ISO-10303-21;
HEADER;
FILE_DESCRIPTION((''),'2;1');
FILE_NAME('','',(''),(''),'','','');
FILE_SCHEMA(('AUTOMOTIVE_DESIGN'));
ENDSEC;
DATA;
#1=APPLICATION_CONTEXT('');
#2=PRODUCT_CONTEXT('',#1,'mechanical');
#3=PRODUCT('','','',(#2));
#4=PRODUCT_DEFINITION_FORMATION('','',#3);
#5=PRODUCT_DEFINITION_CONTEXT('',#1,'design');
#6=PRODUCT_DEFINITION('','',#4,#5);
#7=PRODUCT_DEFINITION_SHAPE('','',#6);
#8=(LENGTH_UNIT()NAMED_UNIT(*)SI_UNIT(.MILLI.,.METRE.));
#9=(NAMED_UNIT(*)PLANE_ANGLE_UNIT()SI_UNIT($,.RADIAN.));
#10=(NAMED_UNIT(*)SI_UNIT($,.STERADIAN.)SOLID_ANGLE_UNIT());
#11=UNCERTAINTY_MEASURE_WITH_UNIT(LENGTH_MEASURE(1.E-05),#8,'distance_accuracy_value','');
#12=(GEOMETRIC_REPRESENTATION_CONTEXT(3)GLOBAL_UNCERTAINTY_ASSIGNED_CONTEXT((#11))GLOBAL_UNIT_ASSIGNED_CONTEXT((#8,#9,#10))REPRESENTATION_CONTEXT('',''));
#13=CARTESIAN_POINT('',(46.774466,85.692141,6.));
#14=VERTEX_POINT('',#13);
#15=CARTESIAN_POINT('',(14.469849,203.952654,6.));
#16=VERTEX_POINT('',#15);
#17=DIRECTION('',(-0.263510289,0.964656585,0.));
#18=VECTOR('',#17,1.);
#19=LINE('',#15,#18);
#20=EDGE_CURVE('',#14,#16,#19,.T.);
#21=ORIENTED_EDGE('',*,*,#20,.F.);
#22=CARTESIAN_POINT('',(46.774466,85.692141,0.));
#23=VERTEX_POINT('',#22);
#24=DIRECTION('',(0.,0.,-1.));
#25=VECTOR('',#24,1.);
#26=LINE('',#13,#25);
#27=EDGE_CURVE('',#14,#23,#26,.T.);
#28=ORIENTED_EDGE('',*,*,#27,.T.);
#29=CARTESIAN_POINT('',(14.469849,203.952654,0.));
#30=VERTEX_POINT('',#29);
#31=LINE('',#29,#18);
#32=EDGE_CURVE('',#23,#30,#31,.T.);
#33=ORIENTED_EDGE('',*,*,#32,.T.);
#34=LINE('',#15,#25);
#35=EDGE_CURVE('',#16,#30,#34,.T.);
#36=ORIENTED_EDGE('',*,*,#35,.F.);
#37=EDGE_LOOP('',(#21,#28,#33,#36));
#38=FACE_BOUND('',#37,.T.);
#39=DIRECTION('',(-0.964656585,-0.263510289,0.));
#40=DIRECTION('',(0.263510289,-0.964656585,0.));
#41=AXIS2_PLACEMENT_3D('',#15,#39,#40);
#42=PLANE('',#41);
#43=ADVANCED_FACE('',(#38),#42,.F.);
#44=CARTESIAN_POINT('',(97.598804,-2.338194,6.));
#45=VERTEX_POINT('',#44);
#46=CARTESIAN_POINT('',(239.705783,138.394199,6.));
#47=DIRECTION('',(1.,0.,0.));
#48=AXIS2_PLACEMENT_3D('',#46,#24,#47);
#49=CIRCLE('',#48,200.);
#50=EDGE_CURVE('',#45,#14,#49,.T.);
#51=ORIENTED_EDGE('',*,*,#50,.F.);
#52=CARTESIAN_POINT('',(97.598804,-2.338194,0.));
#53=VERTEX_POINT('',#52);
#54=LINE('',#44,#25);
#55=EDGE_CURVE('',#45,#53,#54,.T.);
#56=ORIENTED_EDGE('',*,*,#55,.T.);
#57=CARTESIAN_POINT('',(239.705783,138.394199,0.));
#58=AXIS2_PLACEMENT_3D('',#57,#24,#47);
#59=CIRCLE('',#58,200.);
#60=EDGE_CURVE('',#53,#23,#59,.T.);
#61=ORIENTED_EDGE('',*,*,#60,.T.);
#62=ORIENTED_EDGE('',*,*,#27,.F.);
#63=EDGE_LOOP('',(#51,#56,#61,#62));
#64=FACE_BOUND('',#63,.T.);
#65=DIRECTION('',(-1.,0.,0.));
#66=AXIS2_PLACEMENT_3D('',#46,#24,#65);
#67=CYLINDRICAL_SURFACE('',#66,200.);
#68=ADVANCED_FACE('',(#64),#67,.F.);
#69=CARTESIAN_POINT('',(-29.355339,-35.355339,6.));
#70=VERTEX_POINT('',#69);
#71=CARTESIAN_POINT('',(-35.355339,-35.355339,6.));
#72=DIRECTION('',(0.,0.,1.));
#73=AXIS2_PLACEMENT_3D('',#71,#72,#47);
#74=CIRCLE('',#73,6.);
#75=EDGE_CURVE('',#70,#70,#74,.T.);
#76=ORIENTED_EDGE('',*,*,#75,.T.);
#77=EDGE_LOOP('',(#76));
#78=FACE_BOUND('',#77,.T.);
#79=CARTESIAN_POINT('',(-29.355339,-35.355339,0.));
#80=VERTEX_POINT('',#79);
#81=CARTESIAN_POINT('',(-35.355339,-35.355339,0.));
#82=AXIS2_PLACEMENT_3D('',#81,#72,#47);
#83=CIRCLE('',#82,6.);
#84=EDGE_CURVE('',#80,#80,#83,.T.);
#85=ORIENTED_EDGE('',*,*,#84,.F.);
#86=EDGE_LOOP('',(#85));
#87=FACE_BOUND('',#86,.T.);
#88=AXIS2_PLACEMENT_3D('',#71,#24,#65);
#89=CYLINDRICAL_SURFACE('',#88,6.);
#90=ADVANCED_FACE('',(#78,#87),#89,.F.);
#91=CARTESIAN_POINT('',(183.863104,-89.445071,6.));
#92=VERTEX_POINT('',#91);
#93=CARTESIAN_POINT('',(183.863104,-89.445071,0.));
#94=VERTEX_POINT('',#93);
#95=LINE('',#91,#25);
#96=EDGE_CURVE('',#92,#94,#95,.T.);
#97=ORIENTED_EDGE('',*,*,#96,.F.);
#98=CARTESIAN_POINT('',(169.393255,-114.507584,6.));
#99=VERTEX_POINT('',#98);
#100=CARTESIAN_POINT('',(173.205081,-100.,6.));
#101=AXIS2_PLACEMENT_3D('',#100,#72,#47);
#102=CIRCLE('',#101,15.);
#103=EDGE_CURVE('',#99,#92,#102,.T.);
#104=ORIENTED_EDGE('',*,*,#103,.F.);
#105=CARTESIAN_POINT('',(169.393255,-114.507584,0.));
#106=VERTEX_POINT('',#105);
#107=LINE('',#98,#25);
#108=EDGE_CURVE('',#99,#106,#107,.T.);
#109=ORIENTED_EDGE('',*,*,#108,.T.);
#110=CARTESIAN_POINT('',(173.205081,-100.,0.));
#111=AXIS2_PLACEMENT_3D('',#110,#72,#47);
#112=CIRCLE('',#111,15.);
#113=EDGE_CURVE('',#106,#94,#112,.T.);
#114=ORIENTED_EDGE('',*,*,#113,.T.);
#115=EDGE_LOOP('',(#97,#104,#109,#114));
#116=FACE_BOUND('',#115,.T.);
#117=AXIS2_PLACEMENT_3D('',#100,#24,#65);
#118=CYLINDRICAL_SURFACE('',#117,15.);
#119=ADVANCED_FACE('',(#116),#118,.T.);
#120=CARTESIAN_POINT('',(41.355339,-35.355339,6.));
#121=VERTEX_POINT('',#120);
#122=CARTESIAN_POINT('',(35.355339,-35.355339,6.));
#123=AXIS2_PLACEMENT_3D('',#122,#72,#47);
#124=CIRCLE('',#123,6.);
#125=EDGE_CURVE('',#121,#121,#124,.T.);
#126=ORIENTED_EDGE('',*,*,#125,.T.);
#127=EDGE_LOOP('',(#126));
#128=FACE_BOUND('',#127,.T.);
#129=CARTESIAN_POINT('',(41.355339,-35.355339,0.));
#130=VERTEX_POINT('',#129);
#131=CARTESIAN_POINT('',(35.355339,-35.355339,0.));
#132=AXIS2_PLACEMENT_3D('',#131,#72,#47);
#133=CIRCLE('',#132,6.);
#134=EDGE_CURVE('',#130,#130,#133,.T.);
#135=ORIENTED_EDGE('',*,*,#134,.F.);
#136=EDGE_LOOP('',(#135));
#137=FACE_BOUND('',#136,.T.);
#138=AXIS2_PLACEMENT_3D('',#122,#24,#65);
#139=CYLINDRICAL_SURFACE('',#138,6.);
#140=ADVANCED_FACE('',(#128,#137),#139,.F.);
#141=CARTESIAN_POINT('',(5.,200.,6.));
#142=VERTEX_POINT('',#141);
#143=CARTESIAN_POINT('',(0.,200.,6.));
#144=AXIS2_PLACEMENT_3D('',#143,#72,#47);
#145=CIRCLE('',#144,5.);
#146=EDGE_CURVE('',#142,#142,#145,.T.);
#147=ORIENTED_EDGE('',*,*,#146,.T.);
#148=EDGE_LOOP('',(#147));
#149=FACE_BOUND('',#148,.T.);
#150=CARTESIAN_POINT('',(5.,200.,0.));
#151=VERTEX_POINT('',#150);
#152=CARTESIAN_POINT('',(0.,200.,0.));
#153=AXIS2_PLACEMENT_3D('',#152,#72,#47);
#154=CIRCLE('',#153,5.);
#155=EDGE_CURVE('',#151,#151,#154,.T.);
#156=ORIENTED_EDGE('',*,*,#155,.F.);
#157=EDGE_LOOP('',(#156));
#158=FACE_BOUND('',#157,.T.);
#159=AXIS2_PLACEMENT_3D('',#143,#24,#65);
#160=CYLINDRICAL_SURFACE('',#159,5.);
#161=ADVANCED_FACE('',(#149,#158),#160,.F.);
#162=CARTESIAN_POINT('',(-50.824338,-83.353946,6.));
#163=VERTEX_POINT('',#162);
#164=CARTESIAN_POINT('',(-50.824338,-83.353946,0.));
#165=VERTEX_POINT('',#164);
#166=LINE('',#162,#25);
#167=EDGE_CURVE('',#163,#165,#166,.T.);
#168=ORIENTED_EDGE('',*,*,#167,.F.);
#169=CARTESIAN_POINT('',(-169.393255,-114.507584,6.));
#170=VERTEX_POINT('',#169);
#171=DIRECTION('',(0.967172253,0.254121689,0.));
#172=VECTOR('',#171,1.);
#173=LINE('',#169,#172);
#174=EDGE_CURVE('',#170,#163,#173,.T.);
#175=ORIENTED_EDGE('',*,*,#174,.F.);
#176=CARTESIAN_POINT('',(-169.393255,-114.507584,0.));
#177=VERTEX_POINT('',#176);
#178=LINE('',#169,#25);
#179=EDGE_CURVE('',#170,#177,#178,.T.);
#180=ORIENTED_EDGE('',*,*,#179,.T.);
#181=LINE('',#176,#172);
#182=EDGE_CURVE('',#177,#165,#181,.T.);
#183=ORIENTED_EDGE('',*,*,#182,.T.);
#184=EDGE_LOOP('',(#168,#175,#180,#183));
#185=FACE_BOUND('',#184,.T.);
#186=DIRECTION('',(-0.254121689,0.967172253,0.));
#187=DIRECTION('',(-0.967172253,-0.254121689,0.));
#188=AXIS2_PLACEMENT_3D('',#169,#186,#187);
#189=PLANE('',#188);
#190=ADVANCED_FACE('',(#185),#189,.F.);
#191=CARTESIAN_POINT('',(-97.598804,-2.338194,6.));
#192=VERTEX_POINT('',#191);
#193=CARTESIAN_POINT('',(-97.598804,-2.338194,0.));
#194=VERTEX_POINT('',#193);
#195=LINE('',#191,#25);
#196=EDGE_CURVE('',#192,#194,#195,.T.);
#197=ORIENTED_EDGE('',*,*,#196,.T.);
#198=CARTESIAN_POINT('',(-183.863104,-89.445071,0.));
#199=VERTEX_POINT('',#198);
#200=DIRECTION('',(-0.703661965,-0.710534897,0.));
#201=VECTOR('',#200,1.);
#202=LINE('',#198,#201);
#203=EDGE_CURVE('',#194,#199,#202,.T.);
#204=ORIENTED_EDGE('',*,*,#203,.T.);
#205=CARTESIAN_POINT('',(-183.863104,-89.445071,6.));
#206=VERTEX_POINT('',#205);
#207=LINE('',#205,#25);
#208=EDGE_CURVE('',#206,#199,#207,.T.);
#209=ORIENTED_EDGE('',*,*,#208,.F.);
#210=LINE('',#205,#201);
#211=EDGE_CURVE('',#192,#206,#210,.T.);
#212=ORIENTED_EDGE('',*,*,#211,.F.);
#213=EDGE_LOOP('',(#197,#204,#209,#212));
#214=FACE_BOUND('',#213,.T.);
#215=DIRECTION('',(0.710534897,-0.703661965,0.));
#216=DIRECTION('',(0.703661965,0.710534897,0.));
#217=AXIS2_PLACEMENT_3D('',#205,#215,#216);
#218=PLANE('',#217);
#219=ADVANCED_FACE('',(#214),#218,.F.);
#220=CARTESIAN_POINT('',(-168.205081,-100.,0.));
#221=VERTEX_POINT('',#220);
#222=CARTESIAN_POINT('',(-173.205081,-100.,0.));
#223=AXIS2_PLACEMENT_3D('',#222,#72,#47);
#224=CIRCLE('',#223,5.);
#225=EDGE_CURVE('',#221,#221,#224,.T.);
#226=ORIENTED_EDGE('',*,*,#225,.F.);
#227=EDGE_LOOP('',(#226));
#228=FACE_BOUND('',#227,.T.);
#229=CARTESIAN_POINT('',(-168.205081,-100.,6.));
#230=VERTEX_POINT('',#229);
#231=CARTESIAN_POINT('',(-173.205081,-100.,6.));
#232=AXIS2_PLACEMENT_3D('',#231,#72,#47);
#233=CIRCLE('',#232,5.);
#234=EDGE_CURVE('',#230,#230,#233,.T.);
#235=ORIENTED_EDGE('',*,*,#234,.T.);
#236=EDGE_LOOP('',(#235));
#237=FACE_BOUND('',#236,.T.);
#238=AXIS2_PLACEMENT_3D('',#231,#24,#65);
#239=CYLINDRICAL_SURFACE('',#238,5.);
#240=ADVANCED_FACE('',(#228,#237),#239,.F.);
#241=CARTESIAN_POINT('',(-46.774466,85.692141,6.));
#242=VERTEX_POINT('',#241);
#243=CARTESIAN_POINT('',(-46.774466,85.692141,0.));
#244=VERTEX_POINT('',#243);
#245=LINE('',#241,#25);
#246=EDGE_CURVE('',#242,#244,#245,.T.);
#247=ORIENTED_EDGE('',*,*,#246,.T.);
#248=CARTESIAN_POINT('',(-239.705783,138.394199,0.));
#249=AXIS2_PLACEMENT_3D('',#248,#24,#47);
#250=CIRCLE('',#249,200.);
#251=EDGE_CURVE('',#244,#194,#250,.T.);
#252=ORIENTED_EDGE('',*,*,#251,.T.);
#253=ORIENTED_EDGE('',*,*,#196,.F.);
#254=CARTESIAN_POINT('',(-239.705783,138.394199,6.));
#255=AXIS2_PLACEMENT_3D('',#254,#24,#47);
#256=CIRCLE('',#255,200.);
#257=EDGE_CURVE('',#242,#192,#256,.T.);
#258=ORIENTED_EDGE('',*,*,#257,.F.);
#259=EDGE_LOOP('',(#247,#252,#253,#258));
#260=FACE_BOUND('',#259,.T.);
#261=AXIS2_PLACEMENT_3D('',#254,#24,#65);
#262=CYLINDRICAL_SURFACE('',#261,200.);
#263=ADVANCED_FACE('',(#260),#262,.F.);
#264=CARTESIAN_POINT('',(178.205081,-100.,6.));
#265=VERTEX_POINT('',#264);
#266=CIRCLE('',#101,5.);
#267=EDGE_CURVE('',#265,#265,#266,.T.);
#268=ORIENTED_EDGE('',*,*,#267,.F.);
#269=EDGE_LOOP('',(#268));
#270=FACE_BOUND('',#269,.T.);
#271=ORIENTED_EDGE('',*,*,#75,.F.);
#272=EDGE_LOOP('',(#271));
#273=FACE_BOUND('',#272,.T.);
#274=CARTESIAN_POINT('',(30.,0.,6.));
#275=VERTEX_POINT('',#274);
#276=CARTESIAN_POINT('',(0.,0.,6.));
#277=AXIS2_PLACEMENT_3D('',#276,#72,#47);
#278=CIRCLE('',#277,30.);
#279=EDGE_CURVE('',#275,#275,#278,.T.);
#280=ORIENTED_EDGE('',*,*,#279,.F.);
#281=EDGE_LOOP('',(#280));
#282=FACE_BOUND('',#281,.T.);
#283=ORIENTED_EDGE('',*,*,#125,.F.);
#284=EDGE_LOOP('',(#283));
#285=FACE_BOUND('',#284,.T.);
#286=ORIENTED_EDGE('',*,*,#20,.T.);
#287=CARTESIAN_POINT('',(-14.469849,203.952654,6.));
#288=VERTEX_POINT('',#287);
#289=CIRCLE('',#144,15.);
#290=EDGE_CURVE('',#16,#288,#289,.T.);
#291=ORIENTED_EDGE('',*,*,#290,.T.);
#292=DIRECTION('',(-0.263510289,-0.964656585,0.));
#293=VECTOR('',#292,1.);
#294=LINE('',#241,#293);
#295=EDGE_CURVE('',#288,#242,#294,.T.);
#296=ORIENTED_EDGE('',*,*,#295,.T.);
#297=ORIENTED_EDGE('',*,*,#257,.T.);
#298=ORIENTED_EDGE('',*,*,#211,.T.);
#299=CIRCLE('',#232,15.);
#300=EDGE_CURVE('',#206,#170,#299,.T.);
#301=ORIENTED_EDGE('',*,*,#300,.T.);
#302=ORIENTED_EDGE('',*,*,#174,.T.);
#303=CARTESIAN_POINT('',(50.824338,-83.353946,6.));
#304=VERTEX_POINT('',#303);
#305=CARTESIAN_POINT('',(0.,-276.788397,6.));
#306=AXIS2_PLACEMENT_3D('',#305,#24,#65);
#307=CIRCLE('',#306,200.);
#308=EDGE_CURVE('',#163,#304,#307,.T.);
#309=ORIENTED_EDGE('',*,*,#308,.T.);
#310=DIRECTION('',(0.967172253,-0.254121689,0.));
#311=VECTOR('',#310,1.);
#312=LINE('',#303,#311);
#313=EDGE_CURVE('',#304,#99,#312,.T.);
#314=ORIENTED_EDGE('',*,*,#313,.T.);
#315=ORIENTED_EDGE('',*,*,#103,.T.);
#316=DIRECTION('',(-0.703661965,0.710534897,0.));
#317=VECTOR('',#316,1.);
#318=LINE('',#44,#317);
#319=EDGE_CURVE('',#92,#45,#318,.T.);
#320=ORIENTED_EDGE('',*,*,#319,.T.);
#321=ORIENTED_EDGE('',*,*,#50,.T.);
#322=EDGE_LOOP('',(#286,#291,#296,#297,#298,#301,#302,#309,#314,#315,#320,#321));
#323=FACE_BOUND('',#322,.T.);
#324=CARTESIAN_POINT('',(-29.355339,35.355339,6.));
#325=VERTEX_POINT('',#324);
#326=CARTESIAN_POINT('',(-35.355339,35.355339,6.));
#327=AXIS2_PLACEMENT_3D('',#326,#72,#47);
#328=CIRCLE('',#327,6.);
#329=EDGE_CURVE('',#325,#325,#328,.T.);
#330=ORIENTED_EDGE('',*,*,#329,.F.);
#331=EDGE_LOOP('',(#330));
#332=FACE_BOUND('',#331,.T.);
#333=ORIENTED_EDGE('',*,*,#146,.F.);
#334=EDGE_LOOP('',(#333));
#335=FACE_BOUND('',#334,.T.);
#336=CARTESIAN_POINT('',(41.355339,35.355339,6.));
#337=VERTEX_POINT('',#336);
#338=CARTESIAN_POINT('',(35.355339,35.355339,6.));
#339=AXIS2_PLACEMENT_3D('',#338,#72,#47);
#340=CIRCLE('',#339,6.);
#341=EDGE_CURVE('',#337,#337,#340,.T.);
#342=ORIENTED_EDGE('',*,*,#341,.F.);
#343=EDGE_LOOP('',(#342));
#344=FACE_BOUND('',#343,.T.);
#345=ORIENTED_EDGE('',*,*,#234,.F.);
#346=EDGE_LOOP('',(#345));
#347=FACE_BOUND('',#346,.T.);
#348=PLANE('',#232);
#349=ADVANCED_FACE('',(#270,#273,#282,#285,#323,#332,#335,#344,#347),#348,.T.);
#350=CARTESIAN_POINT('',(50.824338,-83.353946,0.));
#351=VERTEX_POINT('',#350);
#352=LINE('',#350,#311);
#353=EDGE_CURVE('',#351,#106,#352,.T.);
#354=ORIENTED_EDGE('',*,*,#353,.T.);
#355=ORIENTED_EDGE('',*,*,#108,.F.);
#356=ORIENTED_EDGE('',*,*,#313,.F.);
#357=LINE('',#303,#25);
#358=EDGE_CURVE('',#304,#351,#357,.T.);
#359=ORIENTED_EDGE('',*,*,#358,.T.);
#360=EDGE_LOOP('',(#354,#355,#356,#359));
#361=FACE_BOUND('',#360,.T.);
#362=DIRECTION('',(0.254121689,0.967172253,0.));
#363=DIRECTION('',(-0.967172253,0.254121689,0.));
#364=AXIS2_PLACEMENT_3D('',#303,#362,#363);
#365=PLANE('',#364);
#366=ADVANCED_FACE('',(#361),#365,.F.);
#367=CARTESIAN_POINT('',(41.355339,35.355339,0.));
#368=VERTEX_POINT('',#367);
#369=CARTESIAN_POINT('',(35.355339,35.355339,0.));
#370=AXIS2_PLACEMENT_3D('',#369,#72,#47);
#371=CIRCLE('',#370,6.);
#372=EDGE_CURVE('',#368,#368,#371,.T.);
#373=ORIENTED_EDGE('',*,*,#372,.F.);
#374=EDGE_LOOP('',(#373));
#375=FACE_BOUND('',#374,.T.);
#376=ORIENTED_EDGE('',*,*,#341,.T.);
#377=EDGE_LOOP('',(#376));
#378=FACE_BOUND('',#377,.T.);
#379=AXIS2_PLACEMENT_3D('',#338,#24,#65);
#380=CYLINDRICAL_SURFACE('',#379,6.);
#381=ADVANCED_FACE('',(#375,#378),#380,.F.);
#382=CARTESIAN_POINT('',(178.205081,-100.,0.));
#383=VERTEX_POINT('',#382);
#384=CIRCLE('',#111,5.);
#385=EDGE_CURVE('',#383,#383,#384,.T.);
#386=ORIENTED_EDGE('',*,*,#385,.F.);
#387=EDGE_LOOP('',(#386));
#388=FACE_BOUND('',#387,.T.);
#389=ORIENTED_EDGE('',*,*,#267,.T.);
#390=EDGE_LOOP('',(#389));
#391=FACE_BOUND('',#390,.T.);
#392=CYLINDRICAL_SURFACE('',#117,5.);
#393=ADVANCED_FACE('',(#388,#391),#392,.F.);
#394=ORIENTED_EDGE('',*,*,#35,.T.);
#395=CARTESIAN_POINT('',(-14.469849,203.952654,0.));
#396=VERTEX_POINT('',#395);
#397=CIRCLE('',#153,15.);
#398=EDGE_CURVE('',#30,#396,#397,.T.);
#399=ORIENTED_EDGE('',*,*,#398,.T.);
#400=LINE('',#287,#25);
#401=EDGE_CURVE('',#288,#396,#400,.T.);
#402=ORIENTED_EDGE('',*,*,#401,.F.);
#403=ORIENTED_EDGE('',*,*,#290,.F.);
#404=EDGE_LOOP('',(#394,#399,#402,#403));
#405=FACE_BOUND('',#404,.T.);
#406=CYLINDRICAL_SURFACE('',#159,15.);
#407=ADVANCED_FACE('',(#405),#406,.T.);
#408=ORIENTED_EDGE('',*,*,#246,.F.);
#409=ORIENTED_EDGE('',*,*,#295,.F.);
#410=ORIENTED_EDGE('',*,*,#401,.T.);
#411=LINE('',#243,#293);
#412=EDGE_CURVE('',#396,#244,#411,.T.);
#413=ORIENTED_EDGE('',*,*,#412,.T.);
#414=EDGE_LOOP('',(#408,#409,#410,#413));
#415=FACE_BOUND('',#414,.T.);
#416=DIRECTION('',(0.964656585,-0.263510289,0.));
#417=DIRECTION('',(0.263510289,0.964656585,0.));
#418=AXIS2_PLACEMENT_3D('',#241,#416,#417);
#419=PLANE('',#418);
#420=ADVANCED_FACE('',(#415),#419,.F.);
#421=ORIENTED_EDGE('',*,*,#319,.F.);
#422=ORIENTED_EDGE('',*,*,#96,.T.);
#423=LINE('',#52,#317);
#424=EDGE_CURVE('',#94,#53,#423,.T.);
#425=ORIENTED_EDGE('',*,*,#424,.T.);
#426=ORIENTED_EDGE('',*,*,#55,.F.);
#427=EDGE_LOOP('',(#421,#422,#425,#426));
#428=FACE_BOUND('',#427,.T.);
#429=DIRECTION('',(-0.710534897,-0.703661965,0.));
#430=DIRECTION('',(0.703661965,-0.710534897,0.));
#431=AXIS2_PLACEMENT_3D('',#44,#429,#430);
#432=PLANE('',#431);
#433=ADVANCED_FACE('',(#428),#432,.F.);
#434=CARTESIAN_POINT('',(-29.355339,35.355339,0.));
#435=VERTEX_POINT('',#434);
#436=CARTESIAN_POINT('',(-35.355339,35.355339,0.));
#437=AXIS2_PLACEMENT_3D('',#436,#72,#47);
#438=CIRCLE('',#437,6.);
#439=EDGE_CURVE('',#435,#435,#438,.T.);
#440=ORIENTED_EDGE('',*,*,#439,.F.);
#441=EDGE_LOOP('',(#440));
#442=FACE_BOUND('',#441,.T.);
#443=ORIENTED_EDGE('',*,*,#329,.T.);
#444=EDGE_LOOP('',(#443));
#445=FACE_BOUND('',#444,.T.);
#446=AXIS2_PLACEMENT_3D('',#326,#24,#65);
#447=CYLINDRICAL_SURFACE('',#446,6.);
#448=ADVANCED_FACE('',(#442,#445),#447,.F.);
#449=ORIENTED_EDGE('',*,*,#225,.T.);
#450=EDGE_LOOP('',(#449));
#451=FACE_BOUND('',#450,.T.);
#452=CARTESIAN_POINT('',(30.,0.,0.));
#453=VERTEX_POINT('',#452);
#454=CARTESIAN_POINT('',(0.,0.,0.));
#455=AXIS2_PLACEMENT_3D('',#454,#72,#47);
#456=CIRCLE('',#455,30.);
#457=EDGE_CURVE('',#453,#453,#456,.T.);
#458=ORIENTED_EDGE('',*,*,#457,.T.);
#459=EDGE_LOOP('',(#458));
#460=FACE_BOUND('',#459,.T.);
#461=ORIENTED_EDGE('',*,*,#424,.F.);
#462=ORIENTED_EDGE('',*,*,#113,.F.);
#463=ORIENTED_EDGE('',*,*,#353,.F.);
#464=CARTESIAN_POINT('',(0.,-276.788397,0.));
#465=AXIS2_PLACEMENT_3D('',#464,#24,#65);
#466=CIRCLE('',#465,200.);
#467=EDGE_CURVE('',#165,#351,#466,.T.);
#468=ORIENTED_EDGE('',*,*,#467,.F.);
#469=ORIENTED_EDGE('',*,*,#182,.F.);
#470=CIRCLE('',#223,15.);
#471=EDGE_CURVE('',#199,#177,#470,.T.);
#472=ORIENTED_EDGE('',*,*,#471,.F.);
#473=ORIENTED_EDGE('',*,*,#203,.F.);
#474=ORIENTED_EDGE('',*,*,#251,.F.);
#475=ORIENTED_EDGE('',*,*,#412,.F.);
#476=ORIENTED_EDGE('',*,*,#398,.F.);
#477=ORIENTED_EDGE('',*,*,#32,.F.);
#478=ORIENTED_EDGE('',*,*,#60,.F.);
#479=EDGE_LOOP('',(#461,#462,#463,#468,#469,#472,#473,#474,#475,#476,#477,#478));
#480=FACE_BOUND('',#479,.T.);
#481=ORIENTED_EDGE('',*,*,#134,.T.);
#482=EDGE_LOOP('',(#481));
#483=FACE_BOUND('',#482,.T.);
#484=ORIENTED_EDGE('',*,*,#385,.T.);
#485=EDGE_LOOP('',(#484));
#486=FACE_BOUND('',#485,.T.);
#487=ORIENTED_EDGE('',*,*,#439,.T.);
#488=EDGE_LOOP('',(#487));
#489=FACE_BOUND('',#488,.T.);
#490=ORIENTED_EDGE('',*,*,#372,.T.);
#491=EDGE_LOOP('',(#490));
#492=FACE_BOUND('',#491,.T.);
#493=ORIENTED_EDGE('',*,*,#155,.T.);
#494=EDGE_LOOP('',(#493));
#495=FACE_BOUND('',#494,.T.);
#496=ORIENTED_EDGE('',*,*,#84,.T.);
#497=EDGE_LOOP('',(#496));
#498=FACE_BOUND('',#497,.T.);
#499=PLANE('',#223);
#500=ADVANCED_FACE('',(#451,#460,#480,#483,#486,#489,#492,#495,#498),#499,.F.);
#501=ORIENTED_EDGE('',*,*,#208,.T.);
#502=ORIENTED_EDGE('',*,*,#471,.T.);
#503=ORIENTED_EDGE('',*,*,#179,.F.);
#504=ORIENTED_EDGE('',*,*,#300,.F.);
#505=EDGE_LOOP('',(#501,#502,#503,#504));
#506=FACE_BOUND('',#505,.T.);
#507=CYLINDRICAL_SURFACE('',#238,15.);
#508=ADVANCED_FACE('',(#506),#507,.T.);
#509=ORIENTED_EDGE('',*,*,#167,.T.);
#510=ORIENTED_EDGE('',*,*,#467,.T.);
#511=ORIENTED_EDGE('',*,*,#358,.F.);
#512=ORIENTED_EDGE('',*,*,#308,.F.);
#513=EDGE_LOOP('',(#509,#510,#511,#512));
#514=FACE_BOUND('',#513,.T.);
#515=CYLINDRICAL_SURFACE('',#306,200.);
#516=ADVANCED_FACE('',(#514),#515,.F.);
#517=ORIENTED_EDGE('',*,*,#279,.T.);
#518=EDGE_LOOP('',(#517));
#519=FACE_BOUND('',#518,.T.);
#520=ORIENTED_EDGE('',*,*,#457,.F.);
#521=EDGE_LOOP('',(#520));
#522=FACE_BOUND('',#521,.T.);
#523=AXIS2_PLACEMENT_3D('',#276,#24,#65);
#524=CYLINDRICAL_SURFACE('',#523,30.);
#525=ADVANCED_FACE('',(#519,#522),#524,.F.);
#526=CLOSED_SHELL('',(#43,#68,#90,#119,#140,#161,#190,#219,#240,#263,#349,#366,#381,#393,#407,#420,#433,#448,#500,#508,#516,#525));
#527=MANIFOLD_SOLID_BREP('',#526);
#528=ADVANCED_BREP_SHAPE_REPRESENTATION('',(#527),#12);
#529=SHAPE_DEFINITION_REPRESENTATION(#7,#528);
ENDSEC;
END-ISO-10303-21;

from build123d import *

# Parameters (mm, degrees)
SKETCH1_R           = 5
SKETCH1_R_2         = 6
SKETCH1_R_3         = 30
BOSS_EXTRUDE1_DEPTH = 6


with BuildPart() as part:
    # Sketch1 → Boss-Extrude1 (new body)
    with BuildSketch(Plane.XY):
        with BuildLine():
            Line((-183.863104209, -89.445070531), (-97.598804033, -2.338194347))
            ThreePointArc((-97.598804033, -2.338194347), (-66.500702639, 38.39419857), (-46.774466313, 85.692140845))
            Line((-46.774466313, 85.692140845), (-14.469848781, 203.952654329))
            ThreePointArc((-14.469848781, 203.952654329), (0, 215), (14.469848781, 203.952654329))
            Line((14.469848781, 203.952654329), (46.774466313, 85.692140845))
            ThreePointArc((46.774466313, 85.692140845), (66.500702639, 38.39419857), (97.598804033, -2.338194347))
            Line((97.598804033, -2.338194347), (183.863104209, -89.445070531))
            ThreePointArc((183.863104209, -89.445070531), (186.195461814, -107.5), (169.393255428, -114.507583798))
            Line((169.393255428, -114.507583798), (50.82433772, -83.353946498))
            ThreePointArc((50.82433772, -83.353946498), (0, -76.78839714), (-50.82433772, -83.353946498))
            Line((-50.82433772, -83.353946498), (-169.393255428, -114.507583798))
            ThreePointArc((-169.393255428, -114.507583798), (-186.195461814, -107.5), (-183.863104209, -89.445070531))
        make_face()
        with Locations((0, 200)):
            Circle(SKETCH1_R, mode=Mode.SUBTRACT)
        with Locations((173.205080757, -100)):
            Circle(SKETCH1_R, mode=Mode.SUBTRACT)
        with Locations((-173.205080757, -100)):
            Circle(SKETCH1_R, mode=Mode.SUBTRACT)
        with Locations((-35.355339059, 35.355339059)):
            Circle(SKETCH1_R_2, mode=Mode.SUBTRACT)
        with Locations((35.355339059, 35.355339059)):
            Circle(SKETCH1_R_2, mode=Mode.SUBTRACT)
        with Locations((35.355339059, -35.355339059)):
            Circle(SKETCH1_R_2, mode=Mode.SUBTRACT)
        with Locations((-35.355339059, -35.355339059)):
            Circle(SKETCH1_R_2, mode=Mode.SUBTRACT)
        Circle(SKETCH1_R_3, mode=Mode.SUBTRACT)
    extrude(amount=BOSS_EXTRUDE1_DEPTH)


solid = part.part
